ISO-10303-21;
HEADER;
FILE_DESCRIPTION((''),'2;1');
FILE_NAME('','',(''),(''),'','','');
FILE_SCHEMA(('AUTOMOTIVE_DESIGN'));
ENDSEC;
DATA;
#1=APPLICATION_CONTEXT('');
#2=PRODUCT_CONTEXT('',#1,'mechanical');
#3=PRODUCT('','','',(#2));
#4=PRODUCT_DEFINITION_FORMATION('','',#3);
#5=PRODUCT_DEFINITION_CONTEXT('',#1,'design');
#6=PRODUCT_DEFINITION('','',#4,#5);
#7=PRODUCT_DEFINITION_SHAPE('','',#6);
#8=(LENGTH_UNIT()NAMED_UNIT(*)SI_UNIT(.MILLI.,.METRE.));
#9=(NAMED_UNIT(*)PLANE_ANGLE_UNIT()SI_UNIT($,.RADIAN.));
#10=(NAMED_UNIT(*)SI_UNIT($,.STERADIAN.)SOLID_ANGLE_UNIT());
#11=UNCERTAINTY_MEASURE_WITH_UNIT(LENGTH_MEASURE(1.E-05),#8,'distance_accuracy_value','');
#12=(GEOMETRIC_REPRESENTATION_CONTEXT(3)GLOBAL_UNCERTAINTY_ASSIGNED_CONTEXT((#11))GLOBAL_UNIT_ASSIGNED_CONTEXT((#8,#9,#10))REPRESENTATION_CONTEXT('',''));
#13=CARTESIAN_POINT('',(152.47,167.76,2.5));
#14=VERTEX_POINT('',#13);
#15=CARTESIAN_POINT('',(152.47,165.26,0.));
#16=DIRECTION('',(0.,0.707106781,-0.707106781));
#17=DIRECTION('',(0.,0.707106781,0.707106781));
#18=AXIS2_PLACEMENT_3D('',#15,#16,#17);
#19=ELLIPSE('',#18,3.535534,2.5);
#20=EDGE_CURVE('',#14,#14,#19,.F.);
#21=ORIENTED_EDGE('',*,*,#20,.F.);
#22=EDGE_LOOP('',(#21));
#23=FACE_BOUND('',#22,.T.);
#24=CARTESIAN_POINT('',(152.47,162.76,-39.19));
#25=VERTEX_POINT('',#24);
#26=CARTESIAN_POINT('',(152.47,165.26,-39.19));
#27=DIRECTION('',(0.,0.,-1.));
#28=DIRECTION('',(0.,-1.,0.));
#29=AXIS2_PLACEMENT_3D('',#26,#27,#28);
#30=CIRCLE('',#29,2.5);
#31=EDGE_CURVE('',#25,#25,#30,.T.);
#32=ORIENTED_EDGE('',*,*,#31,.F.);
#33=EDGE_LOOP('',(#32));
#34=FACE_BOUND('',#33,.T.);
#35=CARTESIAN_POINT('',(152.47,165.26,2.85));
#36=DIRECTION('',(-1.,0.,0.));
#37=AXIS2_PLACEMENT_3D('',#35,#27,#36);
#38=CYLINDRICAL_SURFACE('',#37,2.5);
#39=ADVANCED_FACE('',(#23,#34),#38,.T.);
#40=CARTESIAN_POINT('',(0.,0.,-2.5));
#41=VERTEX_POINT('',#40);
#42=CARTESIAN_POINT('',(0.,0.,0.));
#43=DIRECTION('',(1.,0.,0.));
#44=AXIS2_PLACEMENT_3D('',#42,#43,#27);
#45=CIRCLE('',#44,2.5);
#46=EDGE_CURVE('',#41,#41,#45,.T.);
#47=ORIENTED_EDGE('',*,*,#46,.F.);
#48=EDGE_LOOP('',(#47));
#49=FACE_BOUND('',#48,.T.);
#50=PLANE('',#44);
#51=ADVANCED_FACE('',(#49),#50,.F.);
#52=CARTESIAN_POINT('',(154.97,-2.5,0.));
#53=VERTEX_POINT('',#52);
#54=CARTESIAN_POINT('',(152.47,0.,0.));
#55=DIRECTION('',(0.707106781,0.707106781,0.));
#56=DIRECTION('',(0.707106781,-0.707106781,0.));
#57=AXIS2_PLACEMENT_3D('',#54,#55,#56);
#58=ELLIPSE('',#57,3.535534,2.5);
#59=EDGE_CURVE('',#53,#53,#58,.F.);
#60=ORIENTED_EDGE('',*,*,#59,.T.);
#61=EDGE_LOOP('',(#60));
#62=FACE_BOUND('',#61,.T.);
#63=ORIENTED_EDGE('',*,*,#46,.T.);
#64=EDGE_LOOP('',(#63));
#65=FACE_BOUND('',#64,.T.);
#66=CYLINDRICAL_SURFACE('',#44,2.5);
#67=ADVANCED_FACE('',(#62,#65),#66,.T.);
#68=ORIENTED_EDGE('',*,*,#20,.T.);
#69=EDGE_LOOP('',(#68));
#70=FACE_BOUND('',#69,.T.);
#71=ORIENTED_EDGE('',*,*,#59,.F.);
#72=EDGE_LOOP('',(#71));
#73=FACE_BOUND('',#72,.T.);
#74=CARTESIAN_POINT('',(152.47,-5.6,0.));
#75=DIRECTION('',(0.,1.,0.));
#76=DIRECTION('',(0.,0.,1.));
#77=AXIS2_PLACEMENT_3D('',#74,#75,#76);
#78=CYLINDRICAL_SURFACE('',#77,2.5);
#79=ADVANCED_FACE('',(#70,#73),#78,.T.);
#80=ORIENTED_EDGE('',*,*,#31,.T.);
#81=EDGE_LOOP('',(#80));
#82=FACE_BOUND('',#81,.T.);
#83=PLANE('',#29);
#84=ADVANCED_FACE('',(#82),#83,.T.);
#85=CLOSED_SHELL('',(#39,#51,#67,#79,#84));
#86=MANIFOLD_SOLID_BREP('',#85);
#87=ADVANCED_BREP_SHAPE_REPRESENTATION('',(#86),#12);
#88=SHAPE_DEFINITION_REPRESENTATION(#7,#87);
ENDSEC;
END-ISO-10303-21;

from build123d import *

# Parameters (mm, degrees)
ESQUISSE1_R = 2.5


with BuildPart() as part:
    # Balayage1: sweep along a curve in space
    with BuildLine() as balayage1_path:
        Line((0, 0, 0), (152.47, 0, 0))
        Line((152.47, 0, 0), (152.47, 165.26, 0))
        Line((152.47, 165.26, 0), (152.47, 165.26, -39.19))
    # Esquisse1 → Balayage1 (sweep)
    with BuildSketch(Plane(origin=(0, 0, 0), x_dir=(0, 0, -1), z_dir=(1, 0, 0))):
        Circle(ESQUISSE1_R)
    sweep(path=balayage1_path.line, transition=Transition.RIGHT)


solid = part.part
